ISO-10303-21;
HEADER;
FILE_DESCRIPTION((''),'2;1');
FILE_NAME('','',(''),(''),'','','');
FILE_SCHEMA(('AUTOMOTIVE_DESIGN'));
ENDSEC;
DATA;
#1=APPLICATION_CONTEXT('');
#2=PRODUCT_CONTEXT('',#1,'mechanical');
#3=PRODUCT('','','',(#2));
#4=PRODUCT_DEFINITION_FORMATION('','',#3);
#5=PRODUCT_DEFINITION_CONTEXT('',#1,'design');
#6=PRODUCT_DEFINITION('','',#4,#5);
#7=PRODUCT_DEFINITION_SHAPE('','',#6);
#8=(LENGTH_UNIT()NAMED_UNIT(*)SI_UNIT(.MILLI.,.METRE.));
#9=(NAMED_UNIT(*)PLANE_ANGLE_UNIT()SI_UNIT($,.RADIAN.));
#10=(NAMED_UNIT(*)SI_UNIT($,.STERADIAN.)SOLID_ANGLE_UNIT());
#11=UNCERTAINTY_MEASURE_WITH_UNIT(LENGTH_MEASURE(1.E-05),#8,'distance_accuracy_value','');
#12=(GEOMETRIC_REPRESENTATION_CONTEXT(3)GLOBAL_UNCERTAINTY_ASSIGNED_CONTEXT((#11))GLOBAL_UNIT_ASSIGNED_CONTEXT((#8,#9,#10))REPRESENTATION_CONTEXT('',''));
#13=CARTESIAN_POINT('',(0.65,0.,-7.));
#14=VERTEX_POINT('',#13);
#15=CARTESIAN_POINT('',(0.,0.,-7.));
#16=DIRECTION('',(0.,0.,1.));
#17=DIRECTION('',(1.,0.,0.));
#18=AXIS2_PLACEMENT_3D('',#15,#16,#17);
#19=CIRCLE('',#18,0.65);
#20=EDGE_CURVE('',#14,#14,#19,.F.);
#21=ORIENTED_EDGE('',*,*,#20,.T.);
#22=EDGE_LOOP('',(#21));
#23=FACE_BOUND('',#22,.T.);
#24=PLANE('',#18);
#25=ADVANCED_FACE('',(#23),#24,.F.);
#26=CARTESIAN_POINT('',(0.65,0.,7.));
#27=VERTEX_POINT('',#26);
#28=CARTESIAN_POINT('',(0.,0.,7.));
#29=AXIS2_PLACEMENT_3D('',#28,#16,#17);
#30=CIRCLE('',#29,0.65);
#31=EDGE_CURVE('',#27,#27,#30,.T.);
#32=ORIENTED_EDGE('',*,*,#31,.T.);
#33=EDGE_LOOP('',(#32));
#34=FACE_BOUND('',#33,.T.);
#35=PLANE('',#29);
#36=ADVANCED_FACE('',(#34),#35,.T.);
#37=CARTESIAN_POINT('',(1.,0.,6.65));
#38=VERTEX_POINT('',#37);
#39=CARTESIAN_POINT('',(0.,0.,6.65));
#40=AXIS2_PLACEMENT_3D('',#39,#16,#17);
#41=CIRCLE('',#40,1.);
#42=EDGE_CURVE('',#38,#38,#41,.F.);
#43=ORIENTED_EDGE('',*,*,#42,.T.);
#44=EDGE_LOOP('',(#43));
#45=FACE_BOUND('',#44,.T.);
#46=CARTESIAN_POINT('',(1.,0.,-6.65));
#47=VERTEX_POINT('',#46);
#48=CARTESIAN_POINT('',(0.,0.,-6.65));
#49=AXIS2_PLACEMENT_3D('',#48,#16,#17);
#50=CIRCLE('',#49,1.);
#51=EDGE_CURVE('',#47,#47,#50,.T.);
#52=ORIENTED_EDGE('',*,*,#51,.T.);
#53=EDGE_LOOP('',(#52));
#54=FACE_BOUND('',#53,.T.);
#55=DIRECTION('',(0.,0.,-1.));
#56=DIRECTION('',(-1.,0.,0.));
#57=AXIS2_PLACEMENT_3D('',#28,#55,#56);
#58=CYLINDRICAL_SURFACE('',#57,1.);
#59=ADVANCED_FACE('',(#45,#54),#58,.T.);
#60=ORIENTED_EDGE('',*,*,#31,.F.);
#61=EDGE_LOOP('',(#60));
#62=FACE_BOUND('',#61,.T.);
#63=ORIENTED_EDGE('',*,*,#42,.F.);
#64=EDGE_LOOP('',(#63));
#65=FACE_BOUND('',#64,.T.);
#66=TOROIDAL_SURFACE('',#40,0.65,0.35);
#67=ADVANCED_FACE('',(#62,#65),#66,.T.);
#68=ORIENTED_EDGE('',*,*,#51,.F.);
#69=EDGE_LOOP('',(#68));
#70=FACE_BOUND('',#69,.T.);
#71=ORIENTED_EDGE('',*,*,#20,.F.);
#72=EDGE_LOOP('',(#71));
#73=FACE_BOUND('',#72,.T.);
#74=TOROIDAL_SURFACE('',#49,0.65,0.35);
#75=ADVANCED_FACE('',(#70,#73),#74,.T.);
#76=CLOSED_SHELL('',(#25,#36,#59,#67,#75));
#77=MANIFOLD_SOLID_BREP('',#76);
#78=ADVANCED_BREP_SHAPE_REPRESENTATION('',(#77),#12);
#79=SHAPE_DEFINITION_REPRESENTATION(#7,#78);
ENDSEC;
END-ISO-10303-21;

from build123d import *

# Parameters (mm, degrees)
SKETCH1_R           = 1
BOSS_EXTRUDE1_DEPTH = 7
FILLET1_R           = 0.35


with BuildPart() as part:
    # Sketch1 → Boss-Extrude1 (new body, symmetric)
    with BuildSketch(Plane.XY):
        Circle(SKETCH1_R)
    extrude(amount=BOSS_EXTRUDE1_DEPTH, both=True)

    # Fillet1
    fillet1_edges = [part.edges().sort_by_distance(p)[0] for p in [
        (-1, 0, -7),
        (-1, 0, 7),
    ]]
    fillet(fillet1_edges, radius=FILLET1_R)


solid = part.part
